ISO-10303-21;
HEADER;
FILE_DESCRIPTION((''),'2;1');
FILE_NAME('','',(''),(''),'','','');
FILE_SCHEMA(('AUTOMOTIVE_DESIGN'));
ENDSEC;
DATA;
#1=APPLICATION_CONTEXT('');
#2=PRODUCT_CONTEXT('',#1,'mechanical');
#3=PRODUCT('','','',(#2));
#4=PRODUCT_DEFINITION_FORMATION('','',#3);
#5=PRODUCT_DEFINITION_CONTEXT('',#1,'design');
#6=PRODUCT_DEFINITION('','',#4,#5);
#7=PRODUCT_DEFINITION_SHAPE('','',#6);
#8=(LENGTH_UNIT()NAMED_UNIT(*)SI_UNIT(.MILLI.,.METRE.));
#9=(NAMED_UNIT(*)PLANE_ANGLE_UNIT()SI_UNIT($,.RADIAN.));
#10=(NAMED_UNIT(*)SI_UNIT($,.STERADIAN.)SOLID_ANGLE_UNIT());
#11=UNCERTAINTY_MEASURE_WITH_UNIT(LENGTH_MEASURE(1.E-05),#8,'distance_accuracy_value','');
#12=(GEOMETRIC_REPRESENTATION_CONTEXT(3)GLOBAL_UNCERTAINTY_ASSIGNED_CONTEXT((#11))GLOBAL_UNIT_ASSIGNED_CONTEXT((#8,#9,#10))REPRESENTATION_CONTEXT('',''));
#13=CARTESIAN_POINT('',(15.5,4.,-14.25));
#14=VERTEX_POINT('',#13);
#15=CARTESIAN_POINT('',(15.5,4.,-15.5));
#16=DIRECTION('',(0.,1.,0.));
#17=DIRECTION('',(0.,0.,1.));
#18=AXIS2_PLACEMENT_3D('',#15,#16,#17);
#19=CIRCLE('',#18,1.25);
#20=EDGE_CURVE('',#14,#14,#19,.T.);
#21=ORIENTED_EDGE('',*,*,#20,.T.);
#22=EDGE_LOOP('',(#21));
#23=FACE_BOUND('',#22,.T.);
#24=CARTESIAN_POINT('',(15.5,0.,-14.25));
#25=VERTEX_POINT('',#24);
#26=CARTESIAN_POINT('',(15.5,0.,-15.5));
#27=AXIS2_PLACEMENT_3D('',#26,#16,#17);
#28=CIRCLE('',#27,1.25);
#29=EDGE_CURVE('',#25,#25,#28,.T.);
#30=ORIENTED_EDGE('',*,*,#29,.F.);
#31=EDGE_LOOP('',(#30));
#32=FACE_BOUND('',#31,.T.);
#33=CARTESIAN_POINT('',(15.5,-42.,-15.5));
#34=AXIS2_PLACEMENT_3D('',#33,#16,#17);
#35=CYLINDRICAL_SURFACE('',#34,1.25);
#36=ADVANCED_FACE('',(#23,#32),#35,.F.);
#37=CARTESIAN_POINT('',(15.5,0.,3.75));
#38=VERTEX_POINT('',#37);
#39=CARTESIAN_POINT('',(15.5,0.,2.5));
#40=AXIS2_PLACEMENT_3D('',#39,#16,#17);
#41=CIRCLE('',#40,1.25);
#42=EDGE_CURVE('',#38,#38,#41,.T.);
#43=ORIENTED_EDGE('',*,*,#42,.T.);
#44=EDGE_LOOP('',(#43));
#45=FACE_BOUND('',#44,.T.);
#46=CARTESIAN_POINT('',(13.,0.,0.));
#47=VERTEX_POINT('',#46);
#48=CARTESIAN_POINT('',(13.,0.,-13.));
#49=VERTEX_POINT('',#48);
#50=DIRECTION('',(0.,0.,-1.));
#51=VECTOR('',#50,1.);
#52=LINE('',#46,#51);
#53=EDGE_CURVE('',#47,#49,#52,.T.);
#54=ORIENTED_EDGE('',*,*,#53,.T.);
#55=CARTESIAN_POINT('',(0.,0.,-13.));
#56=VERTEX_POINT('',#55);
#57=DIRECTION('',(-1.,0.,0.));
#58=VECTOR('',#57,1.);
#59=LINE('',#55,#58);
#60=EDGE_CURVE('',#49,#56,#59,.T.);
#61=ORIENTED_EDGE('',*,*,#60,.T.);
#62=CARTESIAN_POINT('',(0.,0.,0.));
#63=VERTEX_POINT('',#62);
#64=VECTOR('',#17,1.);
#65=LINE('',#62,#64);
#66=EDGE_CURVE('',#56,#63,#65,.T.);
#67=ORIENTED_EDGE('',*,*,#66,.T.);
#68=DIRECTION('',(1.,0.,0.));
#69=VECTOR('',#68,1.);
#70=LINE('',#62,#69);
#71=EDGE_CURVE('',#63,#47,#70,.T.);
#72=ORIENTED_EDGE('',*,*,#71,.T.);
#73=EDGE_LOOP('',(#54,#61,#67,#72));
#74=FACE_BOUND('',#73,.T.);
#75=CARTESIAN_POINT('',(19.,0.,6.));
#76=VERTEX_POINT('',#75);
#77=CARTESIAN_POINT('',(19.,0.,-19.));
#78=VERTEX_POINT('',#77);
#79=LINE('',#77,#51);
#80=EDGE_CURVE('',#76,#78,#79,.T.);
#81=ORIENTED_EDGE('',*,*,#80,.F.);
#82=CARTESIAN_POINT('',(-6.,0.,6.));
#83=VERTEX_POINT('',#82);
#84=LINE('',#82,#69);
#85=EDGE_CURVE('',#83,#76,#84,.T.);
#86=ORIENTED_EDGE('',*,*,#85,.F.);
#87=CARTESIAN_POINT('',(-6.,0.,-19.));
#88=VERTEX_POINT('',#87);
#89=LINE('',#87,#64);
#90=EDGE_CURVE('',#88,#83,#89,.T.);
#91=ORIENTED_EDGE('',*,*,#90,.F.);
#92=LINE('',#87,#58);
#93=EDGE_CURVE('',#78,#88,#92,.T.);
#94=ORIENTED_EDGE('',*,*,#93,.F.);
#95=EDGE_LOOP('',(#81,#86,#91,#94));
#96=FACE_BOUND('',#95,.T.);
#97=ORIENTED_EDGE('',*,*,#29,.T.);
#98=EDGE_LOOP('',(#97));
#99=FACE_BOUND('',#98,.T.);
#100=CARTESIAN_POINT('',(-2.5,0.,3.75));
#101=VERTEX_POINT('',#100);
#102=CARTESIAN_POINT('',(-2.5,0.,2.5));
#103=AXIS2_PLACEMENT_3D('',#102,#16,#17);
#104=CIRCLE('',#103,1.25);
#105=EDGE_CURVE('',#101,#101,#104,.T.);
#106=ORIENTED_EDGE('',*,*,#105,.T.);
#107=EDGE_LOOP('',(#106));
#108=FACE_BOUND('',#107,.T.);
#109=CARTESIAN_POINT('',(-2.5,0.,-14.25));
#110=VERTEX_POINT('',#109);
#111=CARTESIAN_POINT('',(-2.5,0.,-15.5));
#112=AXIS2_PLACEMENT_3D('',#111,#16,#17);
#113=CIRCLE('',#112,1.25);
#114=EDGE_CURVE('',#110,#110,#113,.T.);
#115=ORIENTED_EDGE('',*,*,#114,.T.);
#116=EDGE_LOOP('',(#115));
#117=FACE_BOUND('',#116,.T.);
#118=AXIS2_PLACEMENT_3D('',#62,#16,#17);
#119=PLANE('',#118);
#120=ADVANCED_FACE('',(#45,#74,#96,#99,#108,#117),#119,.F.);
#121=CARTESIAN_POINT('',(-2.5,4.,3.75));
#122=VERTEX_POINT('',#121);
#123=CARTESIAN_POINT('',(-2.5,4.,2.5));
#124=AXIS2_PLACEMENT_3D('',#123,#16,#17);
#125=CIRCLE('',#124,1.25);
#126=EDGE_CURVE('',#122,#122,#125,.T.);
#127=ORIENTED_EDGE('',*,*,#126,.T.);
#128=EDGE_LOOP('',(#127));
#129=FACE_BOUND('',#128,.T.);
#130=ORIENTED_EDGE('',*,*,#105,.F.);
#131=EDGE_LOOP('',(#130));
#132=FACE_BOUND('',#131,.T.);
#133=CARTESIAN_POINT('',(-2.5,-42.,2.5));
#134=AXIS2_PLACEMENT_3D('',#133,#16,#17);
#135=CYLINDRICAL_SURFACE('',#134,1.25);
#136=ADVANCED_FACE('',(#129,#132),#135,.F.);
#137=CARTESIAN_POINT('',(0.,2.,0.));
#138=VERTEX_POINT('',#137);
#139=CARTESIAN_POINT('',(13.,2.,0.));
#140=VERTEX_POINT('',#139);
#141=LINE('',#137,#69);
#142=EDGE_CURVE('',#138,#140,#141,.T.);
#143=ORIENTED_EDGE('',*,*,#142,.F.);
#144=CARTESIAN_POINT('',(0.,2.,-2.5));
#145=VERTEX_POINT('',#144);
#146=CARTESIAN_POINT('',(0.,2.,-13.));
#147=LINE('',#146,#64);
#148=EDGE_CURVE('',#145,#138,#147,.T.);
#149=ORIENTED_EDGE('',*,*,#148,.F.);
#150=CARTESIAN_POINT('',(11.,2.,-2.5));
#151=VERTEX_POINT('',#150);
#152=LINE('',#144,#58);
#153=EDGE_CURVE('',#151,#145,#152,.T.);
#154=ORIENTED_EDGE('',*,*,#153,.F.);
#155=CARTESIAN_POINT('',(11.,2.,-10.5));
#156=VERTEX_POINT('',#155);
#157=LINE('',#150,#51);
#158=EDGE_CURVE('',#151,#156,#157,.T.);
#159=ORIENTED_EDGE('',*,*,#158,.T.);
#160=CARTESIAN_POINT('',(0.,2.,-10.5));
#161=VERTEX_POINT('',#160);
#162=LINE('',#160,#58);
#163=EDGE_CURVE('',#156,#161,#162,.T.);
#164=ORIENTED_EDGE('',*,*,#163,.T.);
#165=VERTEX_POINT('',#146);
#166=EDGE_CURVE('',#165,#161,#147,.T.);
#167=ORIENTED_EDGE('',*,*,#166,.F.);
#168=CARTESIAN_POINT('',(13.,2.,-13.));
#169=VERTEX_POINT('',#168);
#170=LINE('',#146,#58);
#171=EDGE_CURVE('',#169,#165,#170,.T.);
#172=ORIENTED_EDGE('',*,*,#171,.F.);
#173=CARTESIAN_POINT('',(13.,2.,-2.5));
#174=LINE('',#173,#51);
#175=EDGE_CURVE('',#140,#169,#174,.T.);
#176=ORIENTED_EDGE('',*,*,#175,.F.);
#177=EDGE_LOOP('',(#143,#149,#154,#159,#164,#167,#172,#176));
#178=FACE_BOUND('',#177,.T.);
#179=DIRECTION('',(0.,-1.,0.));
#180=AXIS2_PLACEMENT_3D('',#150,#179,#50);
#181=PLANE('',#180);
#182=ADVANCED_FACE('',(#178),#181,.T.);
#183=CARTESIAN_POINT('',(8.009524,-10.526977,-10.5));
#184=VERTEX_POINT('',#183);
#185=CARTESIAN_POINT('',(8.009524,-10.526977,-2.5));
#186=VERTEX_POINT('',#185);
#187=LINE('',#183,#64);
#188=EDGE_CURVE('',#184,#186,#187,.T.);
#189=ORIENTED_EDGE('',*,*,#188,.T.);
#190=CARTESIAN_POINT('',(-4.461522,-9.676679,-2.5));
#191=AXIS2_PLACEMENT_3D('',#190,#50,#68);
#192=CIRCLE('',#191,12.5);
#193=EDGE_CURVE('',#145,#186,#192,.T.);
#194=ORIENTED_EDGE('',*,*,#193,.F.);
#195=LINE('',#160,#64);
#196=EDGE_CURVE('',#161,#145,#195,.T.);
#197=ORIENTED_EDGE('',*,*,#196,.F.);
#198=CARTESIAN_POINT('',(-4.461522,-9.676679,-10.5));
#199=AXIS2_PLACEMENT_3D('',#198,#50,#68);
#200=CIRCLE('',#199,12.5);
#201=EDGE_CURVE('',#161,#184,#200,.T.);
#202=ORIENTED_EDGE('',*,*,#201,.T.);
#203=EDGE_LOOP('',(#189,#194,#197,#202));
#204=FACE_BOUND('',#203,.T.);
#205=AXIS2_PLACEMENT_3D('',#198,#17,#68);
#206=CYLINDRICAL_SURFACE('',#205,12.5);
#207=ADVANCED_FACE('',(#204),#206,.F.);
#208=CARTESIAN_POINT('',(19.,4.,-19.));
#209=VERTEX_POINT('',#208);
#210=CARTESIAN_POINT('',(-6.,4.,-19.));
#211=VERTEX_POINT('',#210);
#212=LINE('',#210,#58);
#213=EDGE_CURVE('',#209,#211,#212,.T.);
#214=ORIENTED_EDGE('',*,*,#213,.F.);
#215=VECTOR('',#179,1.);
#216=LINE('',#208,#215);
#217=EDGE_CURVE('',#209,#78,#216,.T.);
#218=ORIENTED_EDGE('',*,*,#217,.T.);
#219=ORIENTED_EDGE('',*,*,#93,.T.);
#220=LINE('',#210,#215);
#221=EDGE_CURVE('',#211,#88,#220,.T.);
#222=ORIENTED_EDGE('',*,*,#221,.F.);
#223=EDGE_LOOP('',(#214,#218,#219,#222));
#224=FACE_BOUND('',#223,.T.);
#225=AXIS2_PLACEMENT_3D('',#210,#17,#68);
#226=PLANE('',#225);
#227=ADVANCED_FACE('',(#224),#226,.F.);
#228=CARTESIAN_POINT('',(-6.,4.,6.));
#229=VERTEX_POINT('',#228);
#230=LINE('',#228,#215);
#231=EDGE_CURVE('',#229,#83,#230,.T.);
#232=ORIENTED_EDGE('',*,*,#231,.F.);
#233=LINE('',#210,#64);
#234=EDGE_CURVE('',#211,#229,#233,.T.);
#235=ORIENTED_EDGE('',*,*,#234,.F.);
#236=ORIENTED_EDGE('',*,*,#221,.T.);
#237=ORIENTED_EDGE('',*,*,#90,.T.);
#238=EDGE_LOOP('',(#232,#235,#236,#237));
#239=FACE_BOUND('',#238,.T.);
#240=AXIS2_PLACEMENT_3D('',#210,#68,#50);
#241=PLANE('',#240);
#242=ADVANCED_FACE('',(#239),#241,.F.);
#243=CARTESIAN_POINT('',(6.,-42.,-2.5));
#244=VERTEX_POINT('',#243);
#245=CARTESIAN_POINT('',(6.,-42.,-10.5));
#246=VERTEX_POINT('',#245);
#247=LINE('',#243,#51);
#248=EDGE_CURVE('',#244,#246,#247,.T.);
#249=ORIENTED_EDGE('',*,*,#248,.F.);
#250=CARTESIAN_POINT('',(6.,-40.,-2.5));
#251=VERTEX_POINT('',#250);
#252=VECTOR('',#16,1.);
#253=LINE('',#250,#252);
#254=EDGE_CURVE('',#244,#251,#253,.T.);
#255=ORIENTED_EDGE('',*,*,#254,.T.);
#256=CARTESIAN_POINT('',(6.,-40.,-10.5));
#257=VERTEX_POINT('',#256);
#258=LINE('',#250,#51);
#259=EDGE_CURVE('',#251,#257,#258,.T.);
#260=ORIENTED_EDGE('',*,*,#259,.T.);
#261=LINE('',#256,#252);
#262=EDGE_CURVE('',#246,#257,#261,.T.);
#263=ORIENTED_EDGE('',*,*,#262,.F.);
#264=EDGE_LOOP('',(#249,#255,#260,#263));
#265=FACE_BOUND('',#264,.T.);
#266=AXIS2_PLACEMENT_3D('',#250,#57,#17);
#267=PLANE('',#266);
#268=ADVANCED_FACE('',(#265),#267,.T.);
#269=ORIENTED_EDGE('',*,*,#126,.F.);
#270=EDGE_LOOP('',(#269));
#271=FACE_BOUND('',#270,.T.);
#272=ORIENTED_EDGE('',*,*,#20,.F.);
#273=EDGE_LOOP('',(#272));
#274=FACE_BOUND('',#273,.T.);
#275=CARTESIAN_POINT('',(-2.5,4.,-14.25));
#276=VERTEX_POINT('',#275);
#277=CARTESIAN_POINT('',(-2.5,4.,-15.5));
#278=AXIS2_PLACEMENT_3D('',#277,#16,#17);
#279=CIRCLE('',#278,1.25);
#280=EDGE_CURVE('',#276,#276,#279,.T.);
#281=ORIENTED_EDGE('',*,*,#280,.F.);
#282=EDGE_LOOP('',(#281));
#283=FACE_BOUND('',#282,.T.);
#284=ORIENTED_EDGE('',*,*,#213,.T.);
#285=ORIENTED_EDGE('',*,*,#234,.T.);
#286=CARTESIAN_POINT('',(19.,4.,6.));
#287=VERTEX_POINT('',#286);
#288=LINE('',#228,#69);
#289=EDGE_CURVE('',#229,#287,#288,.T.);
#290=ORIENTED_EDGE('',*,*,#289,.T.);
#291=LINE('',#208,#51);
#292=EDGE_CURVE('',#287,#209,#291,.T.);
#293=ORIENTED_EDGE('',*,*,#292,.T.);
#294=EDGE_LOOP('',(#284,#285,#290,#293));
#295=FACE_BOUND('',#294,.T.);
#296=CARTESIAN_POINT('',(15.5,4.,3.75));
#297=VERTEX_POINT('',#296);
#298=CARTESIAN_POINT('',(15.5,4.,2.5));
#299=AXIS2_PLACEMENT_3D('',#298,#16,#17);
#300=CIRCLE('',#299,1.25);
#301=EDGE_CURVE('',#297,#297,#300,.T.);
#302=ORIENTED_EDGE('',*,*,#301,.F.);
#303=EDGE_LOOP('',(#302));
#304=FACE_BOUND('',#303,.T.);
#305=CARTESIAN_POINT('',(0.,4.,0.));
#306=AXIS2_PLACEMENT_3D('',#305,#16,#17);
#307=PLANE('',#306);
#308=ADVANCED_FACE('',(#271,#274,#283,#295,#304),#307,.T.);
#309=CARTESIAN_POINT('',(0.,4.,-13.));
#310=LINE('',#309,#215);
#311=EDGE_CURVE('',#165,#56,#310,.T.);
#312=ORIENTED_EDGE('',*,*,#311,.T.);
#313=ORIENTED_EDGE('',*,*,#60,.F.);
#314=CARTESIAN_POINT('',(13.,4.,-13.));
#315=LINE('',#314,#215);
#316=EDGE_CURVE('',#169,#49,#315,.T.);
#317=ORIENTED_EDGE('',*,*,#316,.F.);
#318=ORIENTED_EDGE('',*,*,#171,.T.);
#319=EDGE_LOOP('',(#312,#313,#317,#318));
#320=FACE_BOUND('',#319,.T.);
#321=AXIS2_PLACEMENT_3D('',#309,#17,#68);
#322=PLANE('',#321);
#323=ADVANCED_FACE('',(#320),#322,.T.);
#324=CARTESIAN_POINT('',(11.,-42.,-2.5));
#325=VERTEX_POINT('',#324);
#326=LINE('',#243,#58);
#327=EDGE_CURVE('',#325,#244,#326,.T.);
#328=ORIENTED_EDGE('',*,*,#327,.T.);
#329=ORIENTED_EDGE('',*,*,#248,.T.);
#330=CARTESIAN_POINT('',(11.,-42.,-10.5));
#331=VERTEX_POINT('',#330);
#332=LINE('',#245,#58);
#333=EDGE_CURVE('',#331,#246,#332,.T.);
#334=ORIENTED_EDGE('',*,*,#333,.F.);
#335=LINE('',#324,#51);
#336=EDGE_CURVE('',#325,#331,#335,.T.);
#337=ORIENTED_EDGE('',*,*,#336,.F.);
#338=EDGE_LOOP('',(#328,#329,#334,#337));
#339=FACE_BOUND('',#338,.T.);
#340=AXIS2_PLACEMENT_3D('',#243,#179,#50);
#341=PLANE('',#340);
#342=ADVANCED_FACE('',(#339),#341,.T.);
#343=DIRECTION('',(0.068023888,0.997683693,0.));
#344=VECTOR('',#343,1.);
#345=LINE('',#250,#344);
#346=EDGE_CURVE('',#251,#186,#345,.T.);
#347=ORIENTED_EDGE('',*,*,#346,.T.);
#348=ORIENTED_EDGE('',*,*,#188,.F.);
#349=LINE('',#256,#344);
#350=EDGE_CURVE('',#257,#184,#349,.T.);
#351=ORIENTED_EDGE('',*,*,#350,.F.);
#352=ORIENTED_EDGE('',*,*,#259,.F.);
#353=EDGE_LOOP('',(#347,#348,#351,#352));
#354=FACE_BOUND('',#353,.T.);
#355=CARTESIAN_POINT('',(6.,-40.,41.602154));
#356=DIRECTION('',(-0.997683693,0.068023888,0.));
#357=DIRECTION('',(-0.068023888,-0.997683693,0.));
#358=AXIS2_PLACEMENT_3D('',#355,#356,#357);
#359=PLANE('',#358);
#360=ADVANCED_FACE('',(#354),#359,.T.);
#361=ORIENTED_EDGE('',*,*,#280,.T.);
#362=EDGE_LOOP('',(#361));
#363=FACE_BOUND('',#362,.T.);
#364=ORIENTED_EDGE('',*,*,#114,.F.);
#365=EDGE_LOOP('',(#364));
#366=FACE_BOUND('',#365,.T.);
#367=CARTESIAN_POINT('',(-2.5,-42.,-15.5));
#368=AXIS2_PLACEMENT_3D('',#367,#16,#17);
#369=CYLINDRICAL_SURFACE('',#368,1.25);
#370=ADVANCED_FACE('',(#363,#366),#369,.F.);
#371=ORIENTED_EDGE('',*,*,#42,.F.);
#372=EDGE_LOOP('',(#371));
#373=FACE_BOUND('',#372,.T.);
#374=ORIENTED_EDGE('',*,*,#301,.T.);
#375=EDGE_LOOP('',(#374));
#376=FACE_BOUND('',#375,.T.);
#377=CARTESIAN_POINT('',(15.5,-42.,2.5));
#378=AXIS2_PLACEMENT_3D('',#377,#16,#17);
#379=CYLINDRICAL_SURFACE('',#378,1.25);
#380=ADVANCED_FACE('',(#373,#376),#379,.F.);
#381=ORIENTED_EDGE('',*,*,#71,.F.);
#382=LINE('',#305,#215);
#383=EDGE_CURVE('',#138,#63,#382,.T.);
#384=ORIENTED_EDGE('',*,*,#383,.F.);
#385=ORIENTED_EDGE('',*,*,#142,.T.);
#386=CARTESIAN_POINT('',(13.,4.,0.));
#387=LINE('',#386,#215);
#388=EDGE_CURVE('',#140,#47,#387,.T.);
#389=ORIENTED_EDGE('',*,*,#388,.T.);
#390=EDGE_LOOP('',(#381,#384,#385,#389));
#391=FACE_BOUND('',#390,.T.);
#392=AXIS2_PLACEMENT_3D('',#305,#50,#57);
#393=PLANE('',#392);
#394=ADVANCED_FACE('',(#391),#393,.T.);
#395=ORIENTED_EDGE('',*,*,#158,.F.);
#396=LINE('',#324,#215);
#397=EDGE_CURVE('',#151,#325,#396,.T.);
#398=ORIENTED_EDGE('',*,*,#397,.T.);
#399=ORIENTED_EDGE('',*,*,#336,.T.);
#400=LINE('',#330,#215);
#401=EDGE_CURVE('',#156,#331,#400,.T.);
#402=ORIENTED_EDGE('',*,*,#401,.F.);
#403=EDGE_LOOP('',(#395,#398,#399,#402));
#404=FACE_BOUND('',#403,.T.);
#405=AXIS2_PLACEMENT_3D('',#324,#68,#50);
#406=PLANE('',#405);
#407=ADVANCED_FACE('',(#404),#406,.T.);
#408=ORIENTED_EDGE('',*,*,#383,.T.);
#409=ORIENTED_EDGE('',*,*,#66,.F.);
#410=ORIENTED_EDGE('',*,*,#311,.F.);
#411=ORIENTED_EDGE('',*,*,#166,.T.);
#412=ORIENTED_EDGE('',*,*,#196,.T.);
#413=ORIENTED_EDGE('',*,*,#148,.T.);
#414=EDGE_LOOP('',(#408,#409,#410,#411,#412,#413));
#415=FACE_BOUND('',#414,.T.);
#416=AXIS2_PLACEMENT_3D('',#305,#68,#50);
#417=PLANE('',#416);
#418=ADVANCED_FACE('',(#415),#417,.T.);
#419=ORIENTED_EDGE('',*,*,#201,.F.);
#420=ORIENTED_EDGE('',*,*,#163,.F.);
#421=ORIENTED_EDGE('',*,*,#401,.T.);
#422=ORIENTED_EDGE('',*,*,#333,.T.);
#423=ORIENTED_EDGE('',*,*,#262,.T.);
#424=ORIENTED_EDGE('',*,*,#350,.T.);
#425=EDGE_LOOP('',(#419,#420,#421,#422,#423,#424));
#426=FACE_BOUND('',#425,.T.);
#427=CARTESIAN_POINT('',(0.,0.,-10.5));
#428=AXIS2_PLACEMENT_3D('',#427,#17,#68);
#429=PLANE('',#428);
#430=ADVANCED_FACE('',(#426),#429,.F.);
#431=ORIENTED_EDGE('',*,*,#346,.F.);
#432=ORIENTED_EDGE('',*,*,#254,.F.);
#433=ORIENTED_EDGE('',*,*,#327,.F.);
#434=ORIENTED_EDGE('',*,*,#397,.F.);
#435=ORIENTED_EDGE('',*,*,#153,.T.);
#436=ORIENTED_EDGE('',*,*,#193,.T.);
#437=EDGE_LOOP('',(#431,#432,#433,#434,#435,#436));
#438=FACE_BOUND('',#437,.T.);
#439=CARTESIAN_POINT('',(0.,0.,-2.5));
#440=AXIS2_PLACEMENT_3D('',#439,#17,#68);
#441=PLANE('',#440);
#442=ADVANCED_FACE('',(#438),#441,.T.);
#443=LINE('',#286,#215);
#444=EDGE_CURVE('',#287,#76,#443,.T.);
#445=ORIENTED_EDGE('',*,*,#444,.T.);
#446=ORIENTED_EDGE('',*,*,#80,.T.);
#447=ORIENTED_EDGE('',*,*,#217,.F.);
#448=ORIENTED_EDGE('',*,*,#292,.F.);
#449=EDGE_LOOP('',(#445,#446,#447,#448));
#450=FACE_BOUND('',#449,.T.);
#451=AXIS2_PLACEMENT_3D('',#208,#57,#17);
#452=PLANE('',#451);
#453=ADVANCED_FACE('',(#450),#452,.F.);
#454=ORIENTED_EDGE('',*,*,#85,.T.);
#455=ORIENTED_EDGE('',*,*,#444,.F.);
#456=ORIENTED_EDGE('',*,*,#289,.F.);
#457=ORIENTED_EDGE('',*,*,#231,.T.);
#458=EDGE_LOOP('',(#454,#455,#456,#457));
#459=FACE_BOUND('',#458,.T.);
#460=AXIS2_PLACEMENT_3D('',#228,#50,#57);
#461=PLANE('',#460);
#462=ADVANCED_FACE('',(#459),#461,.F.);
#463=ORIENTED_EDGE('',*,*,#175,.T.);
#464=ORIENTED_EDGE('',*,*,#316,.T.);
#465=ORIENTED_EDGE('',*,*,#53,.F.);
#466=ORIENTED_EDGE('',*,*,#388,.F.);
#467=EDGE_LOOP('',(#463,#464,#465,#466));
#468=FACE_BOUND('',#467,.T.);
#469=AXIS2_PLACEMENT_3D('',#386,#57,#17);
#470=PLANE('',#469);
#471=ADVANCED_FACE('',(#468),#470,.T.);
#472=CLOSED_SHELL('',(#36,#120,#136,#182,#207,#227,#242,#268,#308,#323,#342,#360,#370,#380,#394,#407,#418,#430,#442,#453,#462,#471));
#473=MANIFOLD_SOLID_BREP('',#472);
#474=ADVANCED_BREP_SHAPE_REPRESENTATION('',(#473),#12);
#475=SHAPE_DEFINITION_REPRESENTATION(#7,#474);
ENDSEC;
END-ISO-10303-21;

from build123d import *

# Parameters (mm, degrees)
SKETCH_1_W           = 25
SKETCH_1_H           = 25
SKETCH_1_W_2         = 13
SKETCH_1_H_2         = 13
EXTRUDE_1_DEPTH      = 4
EXTRUDE_5_DEPTH      = 4
EXTRUDE_5_DEPTH_BACK = 4
EXTRUDE_6_DEPTH      = 8
EXTRUDE_7_DEPTH      = 8
SKETCH_10_W          = 13
SKETCH_10_H          = 13.001688454
EXTRUDE_8_DEPTH      = 2
SKETCH_11_R          = 1.25
CUT_EXTRUDE_1_DEPTH  = 54.272882407


with BuildPart() as part:
    # Эскиз1 → Бобышка-Вытянуть1 (new body)
    with BuildSketch(Plane(origin=(0, 0, 0), x_dir=(1, 0, 0), z_dir=(0, 1, 0))):
        with Locations((6.5, 6.5)):
            Rectangle(SKETCH_1_W, SKETCH_1_H)
        with Locations((6.5, 6.5)):
            Rectangle(SKETCH_1_W_2, SKETCH_1_H_2, mode=Mode.SUBTRACT)
    extrude(amount=EXTRUDE_1_DEPTH)

    # Эскиз6 → Бобышка-Вытянуть5 (add, two sides: drawn at the far end of the back side and taken through both)
    with BuildSketch(Plane(origin=(0, 0, -6.5), x_dir=(-1, 0, 0), z_dir=(0, 0, -1)).offset(-EXTRUDE_5_DEPTH_BACK)):
        Polygon((-13, 4), (-9, 4), (-9, -40), (-6, -40), (-6, -42), (-11, -42), (-11, 2), (-13, 2), align=None)
    extrude(amount=EXTRUDE_5_DEPTH + EXTRUDE_5_DEPTH_BACK)

    # Эскиз7 → Бобышка-Вытянуть6 (add)
    with BuildSketch(Plane(origin=(0, 0, -10.5), x_dir=(-1, 0, 0), z_dir=(0, 0, -1))):
        Polygon((-9, -40), (-9, 4), (-6, -40), align=None)
    extrude(amount=-EXTRUDE_6_DEPTH)

    # Эскиз9 → Бобышка-Вытянуть7 (add)
    with BuildSketch(Plane.XY.offset(-2.5)):
        with BuildLine():
            Line((9, 4), (0, 4))
            Line((0, 4), (0, 2))
            ThreePointArc((0, 2), (6.069824399, -2.94312486), (8.009524283, -10.526977177))
            Line((8.009524283, -10.526977177), (9, 4))
        make_face()
    extrude(amount=-EXTRUDE_7_DEPTH)

    # Эскиз10 → Бобышка-Вытянуть8 (add)
    with BuildSketch(Plane(origin=(0, 4, 0), x_dir=(1, 0, 0), z_dir=(0, 1, 0))):
        with Locations((6.5, 6.499155773)):
            Rectangle(SKETCH_10_W, SKETCH_10_H)
    extrude(amount=-EXTRUDE_8_DEPTH)

    # Эскиз11 → Вырез-Вытянуть1 (cut, through all)
    with BuildSketch(Plane(origin=(0, 4, 0), x_dir=(1, 0, 0), z_dir=(0, 1, 0))):
        with Locations(Location((-2.5, 15.5, 0), (0, 0, 270))):
            Circle(SKETCH_11_R)
        with Locations(Location((15.5, 15.5, 0), (0, 0, 270))):
            Circle(SKETCH_11_R)
        with Locations(Location((-2.5, -2.5, 0), (0, 0, 270))):
            Circle(SKETCH_11_R)
        with Locations(Location((15.5, -2.5, 0), (0, 0, 270))):
            Circle(SKETCH_11_R)
    extrude(amount=-CUT_EXTRUDE_1_DEPTH, mode=Mode.SUBTRACT)


solid = part.part
